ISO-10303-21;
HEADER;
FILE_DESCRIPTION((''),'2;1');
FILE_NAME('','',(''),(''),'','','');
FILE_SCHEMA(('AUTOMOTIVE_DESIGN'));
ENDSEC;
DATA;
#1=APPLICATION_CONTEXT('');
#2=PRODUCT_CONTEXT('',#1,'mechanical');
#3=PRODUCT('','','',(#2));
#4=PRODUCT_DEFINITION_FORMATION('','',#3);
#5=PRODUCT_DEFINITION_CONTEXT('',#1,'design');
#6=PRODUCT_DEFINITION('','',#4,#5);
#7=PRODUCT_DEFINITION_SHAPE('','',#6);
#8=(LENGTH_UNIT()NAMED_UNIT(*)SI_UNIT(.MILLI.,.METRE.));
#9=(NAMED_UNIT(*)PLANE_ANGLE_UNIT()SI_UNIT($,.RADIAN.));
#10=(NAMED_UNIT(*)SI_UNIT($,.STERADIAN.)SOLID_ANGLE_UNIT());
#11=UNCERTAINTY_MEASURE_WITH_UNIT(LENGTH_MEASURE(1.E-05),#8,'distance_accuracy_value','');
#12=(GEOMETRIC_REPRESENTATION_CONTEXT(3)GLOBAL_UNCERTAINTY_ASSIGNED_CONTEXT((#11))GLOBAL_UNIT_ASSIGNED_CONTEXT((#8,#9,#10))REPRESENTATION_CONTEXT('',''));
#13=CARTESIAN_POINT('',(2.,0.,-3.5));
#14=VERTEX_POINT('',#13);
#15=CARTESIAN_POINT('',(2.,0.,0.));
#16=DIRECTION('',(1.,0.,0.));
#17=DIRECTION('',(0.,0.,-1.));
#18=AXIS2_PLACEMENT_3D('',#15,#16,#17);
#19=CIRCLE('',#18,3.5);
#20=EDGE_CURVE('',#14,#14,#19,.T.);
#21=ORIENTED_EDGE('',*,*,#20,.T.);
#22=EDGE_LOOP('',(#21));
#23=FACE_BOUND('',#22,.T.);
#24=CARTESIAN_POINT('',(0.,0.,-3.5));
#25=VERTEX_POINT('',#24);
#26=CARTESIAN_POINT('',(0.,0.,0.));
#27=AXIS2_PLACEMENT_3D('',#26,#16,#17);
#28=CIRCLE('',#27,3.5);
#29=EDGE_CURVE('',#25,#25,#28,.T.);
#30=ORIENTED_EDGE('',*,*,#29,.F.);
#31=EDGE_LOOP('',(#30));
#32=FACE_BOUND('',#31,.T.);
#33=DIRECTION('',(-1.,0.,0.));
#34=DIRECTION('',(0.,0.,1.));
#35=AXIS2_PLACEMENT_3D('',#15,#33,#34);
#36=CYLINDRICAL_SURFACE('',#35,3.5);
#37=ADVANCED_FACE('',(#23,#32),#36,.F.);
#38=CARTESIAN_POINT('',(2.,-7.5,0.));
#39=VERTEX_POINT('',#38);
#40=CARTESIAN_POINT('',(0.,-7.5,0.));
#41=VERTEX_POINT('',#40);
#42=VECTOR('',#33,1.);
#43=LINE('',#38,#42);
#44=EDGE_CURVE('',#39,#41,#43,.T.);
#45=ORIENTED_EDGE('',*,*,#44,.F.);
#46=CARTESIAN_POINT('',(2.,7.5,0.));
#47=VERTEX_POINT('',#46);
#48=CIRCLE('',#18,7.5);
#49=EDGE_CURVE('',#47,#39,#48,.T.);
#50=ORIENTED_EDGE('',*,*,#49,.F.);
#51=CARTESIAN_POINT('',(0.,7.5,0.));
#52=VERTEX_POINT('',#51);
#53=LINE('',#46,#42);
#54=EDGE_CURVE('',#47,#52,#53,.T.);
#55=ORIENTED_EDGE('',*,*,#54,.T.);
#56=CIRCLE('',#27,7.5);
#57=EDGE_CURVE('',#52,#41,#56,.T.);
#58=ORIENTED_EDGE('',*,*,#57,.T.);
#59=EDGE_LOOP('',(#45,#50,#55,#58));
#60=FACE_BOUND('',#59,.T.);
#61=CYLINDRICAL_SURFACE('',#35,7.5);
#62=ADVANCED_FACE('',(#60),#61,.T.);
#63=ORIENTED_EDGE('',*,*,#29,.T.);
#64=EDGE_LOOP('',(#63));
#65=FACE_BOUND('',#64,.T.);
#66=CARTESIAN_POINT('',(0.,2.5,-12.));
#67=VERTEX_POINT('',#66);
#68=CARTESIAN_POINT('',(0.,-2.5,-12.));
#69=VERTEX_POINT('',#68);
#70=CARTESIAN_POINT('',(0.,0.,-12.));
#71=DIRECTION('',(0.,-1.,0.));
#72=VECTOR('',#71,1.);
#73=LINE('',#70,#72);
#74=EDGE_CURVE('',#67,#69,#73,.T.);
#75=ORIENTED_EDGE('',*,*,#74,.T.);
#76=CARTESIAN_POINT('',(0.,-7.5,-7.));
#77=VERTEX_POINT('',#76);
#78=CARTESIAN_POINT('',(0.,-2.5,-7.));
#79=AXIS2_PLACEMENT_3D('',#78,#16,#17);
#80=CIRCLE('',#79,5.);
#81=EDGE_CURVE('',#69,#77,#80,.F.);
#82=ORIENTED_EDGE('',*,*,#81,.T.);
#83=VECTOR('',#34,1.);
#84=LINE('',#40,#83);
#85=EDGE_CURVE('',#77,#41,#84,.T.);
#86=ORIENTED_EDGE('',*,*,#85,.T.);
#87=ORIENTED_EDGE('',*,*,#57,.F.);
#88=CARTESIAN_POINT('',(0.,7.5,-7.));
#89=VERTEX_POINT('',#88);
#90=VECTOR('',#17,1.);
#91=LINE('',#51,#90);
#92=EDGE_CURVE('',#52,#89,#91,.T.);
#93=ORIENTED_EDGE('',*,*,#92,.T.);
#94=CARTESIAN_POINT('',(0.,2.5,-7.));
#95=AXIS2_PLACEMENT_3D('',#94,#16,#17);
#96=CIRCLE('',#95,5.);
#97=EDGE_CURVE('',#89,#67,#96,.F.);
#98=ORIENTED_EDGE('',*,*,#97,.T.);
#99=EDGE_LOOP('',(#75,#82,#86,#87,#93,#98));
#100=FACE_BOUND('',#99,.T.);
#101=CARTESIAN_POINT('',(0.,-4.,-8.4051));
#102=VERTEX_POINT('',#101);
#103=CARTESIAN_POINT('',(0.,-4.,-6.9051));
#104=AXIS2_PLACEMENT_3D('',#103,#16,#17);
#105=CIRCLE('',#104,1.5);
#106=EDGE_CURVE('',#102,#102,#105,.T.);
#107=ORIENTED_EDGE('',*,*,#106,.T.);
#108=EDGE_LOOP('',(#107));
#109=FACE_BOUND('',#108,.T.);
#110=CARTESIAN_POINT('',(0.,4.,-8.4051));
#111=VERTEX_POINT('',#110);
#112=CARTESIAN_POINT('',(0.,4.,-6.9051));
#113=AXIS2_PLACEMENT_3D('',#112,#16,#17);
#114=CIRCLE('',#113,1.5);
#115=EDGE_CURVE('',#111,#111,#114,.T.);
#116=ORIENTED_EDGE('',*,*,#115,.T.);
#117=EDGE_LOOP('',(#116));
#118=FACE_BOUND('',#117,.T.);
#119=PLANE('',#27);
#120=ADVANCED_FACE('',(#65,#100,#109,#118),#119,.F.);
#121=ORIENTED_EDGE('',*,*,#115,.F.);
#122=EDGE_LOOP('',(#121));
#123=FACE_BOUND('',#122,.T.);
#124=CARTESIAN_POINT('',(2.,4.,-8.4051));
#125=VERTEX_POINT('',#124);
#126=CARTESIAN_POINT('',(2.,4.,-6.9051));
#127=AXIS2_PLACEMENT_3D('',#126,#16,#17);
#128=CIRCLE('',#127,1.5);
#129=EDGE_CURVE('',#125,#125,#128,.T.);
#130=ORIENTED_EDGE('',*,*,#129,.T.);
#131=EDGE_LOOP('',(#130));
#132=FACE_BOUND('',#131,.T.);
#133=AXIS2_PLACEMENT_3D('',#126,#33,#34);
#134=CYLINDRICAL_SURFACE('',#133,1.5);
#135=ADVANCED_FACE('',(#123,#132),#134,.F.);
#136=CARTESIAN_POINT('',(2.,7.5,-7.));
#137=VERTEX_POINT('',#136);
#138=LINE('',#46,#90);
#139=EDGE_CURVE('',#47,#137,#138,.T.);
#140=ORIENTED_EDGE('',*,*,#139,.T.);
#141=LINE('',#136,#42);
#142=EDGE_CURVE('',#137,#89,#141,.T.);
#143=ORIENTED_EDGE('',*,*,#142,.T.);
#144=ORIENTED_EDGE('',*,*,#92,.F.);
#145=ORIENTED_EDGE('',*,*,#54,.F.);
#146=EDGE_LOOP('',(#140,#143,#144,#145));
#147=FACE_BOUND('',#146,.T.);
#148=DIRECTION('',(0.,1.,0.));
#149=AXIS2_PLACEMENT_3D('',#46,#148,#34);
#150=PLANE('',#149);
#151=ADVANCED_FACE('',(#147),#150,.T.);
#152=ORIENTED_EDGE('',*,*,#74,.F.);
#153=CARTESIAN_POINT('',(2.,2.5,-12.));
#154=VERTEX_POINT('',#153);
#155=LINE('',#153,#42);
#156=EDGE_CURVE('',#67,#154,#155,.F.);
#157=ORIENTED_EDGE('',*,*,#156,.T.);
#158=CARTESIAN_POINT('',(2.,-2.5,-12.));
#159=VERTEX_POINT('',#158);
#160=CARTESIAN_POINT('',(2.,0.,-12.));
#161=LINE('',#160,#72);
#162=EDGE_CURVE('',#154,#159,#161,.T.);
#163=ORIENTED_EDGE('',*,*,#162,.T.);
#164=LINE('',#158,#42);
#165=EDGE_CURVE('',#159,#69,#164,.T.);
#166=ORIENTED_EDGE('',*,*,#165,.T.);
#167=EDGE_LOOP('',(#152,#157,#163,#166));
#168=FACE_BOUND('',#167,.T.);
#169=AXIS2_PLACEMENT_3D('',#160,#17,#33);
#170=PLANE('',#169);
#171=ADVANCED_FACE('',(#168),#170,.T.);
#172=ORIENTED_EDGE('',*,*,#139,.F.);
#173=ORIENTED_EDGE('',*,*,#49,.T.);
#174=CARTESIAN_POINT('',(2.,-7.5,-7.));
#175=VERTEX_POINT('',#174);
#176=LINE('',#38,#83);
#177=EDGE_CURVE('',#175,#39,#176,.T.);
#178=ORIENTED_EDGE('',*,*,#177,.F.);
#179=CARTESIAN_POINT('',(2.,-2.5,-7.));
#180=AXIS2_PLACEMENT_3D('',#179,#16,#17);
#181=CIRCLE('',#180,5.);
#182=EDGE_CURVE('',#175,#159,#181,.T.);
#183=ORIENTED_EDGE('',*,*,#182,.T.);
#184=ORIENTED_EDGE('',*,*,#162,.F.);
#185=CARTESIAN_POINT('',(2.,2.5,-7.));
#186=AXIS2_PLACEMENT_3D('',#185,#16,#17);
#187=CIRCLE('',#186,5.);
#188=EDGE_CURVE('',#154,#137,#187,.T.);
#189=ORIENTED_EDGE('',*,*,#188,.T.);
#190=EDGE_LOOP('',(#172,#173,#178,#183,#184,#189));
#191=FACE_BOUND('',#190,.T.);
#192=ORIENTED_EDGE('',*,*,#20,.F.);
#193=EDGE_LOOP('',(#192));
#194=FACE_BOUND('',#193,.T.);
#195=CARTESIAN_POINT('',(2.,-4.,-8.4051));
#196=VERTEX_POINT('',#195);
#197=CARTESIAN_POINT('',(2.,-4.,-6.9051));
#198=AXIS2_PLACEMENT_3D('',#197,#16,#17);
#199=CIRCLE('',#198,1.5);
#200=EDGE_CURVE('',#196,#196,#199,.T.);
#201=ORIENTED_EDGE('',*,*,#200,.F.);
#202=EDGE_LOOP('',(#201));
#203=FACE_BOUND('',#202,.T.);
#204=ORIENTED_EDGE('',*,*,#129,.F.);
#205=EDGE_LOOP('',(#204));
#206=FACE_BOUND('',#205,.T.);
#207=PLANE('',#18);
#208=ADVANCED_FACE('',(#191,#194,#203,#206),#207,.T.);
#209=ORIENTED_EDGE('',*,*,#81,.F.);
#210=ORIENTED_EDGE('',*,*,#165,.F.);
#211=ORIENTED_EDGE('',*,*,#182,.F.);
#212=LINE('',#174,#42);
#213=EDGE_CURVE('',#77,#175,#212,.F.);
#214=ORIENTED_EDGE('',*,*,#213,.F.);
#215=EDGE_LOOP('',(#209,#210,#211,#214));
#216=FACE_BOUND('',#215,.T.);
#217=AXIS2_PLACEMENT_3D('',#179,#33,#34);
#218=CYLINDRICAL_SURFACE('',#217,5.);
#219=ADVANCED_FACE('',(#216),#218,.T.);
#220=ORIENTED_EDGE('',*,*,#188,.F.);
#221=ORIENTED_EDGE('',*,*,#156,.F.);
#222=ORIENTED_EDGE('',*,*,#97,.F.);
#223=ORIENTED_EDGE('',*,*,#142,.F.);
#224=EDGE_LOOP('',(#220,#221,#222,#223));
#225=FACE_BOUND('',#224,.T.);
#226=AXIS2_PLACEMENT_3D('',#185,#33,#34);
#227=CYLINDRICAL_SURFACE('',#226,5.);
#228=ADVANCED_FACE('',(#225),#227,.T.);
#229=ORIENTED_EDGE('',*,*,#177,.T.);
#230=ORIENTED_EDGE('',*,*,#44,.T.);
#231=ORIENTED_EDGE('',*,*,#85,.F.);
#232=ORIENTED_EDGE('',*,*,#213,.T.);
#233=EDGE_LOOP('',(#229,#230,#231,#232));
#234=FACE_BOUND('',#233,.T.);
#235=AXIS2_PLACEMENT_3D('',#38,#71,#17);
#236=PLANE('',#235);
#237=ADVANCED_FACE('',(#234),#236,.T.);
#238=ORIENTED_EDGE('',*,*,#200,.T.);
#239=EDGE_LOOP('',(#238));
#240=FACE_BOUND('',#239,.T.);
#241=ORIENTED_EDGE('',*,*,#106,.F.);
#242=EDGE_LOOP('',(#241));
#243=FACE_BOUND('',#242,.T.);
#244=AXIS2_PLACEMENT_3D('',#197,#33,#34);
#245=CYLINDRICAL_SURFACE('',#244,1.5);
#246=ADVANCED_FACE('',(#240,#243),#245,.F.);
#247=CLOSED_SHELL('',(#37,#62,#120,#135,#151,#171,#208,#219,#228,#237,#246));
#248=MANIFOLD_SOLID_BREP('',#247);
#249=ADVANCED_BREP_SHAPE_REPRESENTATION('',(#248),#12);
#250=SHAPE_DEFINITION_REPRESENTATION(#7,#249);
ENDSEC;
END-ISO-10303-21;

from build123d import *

# Parameters (mm, degrees)
SKETCH1_R           = 1.5
SKETCH1_R_2         = 3.5
BOSS_EXTRUDE1_DEPTH = 2
FILLET1_R           = 5


with BuildPart() as part:
    # Sketch1 → Boss-Extrude1 (new body)
    with BuildSketch(Plane(origin=(0, 0, 0), x_dir=(0, 0, -1), z_dir=(1, 0, 0))):
        with BuildLine():
            Line((0, 7.5), (12, 7.5))
            Line((12, 7.5), (12, -7.5))
            Line((12, -7.5), (0, -7.5))
            ThreePointArc((0, -7.5), (-7.5, 0), (0, 7.5))
        make_face()
        with Locations((6.905099565, -4)):
            Circle(SKETCH1_R, mode=Mode.SUBTRACT)
        with Locations((6.905099565, 4)):
            Circle(SKETCH1_R, mode=Mode.SUBTRACT)
        Circle(SKETCH1_R_2, mode=Mode.SUBTRACT)
    extrude(amount=BOSS_EXTRUDE1_DEPTH)

    # Fillet1
    fillet1_edges = [part.edges().sort_by_distance(p)[0] for p in [
        (1, 7.5, -12),
        (1, -7.5, -12),
    ]]
    fillet(fillet1_edges, radius=FILLET1_R)


solid = part.part
